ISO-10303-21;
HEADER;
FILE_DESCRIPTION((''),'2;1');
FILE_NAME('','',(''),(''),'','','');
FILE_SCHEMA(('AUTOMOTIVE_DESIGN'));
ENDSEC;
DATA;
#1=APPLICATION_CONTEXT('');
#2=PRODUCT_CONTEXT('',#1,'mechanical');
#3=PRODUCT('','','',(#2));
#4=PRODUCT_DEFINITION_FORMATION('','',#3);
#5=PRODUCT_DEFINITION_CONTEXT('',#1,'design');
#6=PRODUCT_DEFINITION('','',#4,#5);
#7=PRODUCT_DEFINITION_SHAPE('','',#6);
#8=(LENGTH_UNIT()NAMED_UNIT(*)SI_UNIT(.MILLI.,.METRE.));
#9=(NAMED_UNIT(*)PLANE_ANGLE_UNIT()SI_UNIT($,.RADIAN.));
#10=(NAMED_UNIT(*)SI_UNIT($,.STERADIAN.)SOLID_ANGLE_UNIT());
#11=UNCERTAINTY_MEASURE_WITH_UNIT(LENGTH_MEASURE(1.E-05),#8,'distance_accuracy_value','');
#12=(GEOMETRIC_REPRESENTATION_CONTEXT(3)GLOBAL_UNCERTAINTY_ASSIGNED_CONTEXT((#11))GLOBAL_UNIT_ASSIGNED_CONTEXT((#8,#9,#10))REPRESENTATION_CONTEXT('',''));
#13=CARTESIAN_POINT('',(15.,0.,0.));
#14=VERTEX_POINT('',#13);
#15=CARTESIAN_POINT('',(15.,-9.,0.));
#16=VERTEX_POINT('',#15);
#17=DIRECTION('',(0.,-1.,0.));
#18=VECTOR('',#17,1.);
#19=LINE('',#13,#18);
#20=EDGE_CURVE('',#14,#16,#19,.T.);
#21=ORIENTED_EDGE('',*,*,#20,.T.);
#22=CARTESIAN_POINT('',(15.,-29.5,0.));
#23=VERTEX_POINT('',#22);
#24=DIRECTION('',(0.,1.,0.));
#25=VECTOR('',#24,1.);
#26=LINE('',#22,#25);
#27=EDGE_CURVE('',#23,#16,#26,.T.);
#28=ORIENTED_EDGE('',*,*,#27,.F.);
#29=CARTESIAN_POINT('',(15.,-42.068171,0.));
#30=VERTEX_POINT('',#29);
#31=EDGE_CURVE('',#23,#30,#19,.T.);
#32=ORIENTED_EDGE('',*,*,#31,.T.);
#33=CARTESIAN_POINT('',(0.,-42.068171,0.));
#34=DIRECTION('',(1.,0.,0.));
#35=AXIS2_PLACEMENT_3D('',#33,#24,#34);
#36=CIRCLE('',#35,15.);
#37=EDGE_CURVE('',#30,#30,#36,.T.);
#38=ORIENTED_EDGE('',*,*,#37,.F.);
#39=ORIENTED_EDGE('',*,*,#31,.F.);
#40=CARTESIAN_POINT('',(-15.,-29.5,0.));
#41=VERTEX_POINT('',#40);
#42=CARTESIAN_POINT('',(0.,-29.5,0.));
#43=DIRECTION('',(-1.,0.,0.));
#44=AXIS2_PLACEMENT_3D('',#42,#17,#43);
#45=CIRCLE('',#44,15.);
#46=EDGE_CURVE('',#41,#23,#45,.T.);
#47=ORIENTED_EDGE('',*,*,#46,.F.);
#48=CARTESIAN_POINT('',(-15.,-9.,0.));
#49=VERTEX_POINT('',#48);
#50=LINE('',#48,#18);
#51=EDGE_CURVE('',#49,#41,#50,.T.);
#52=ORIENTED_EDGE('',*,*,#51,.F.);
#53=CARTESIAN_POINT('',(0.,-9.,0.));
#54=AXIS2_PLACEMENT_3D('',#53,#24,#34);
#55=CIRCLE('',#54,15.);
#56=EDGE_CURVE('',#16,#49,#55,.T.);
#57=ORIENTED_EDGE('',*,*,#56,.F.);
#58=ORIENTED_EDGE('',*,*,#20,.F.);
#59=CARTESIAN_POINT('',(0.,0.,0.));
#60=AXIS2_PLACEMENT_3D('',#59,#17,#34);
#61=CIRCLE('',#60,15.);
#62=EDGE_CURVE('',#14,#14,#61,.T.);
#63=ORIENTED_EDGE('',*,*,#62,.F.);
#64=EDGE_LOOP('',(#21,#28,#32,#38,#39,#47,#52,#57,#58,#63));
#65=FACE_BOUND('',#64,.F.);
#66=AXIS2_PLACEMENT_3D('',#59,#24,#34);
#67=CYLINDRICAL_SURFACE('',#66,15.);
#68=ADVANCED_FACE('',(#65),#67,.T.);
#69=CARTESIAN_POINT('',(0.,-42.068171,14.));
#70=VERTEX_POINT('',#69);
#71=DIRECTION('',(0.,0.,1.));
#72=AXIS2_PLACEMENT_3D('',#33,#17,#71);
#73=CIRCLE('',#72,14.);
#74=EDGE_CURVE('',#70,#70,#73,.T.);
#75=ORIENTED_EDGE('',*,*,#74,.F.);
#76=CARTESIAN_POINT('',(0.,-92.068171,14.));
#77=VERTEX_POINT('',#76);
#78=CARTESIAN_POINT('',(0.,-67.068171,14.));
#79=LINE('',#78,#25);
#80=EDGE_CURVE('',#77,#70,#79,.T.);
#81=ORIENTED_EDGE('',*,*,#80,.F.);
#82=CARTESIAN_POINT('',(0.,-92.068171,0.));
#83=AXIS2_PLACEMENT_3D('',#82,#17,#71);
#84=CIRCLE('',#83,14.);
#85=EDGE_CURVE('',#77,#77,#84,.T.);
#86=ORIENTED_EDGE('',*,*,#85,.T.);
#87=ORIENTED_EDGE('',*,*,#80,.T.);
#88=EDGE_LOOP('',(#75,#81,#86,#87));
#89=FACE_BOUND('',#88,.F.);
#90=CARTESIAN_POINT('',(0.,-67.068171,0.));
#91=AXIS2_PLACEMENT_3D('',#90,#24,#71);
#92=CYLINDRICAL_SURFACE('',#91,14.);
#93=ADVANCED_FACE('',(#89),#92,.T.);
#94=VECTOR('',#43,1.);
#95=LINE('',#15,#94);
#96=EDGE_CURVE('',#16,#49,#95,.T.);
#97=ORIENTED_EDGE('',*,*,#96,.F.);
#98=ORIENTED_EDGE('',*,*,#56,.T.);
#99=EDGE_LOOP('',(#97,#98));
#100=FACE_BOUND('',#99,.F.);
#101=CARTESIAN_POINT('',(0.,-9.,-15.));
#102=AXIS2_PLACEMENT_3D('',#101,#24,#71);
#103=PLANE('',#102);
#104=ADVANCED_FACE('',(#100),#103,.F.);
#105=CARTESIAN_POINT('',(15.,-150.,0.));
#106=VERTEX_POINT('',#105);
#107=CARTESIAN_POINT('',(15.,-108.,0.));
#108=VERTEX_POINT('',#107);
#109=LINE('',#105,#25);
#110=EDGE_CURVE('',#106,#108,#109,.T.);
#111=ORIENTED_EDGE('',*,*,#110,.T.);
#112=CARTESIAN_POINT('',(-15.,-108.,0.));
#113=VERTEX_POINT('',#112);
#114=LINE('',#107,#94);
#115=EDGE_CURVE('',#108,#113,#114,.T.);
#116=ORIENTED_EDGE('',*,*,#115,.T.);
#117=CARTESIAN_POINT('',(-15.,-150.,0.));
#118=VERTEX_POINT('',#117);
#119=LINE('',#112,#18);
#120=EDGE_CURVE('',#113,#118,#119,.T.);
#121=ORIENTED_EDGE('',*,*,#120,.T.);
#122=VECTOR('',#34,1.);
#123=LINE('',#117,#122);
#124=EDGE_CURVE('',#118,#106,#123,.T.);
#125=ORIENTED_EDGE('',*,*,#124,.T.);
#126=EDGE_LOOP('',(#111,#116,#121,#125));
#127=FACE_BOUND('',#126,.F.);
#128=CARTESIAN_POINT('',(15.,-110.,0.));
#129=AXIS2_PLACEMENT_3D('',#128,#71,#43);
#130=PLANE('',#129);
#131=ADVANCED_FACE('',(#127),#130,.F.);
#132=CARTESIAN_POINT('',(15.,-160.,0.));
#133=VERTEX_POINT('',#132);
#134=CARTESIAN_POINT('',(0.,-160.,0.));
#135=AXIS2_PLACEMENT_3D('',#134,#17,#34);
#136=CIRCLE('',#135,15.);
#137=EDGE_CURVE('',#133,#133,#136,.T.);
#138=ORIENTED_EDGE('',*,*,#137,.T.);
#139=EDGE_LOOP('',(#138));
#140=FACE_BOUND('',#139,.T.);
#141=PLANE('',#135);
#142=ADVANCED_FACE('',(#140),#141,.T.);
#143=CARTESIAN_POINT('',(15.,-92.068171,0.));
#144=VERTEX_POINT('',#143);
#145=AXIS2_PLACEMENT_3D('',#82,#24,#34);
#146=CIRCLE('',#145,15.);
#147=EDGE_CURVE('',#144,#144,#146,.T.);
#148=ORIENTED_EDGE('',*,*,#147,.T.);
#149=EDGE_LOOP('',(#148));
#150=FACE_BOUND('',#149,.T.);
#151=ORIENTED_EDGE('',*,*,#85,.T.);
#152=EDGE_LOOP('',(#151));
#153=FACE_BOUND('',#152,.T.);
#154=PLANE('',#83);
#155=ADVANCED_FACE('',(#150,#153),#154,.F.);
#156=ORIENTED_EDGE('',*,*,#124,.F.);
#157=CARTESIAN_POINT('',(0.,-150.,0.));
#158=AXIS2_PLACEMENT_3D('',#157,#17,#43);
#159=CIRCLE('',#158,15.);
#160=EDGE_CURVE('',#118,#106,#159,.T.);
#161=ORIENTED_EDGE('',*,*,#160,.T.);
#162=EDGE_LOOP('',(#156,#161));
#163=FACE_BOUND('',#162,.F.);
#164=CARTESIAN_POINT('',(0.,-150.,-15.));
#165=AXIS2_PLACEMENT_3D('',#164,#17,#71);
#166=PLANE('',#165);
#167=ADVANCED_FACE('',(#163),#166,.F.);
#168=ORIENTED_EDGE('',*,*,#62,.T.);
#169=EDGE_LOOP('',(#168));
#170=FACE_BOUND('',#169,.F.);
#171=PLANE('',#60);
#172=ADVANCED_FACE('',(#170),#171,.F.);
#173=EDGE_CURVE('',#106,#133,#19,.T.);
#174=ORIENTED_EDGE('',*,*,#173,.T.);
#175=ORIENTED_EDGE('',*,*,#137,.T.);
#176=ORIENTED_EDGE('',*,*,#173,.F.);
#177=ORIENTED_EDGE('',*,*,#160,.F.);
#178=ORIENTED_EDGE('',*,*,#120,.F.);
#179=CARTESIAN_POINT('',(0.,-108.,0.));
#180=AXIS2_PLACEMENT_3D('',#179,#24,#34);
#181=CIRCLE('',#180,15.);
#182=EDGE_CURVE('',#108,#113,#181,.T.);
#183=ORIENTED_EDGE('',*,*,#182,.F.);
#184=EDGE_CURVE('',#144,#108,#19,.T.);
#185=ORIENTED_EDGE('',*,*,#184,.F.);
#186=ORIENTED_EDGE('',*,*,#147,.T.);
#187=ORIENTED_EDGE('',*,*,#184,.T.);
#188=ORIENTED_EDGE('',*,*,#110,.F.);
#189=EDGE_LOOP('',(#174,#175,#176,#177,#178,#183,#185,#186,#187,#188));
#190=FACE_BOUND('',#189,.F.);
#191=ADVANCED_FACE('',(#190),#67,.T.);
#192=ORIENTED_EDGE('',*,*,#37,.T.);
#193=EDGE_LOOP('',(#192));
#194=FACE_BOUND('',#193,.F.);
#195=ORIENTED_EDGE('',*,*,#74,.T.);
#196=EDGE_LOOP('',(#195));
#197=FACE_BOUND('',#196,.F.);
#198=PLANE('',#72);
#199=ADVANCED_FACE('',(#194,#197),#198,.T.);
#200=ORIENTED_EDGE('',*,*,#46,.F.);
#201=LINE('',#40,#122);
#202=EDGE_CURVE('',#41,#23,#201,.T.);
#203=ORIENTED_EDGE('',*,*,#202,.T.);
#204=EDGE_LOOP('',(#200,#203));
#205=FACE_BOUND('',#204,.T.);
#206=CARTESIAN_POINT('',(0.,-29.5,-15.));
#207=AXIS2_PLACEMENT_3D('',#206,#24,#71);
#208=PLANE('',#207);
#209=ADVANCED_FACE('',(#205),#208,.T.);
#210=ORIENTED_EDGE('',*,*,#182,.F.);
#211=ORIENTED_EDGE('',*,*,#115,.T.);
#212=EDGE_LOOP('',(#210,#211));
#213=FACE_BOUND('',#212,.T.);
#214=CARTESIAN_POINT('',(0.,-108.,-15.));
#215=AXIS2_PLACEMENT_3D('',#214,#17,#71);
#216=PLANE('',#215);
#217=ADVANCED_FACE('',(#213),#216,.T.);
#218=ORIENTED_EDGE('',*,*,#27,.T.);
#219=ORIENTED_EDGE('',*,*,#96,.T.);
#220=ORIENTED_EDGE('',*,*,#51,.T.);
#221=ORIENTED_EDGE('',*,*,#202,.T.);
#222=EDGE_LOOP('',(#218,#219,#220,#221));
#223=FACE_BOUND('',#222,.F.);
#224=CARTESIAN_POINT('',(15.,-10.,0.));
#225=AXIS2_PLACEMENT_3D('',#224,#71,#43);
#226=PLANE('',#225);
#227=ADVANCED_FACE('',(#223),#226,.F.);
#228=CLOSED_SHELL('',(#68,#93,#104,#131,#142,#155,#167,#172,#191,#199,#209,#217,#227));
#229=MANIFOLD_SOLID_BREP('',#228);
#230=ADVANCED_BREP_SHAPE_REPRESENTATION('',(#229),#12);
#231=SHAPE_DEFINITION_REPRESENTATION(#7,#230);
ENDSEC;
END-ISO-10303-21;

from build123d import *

# Parameters (mm, degrees)
F0_R     = 15
F1_DEPTH = 160
F2_W     = 40
F2_H     = 15
F2_W_2   = 18.5
F3_DEPTH = 15
F4_DEPTH = 12.5
F5_DEPTH = 2
F6_DEPTH = 1
F7_DEPTH = 1
F8_W     = 50
F8_H     = 1


with BuildPart() as f1:
    # F0 (on Front) → F1 (new body)
    with BuildSketch(Plane.XZ):
        Circle(F0_R)
    extrude(amount=F1_DEPTH)

    # F2 (on Right) → F3 (cut, symmetric)
    with BuildSketch(Plane.YZ):
        with Locations((-130, -7.5)):
            Rectangle(F2_W, F2_H)
        with Locations((-19.25, -7.5)):
            Rectangle(F2_W_2, F2_H)
    extrude(amount=F3_DEPTH, both=True, mode=Mode.SUBTRACT)

    # F2 (on Right) → F4 (cut, symmetric)
    with BuildSketch(Plane.YZ):
        with Locations((-19.25, -7.5)):
            Rectangle(F2_W_2, F2_H)
        with Locations((-130, -7.5)):
            Rectangle(F2_W, F2_H)
    extrude(amount=F4_DEPTH, both=True, mode=Mode.SUBTRACT)

    # F5 (cut): a face of the model
    f5_faces = [f1.faces().sort_by_distance(p)[0] for p in [
        (0, -110, -6.3661977237),
    ]]
    extrude(f5_faces, amount=-F5_DEPTH, mode=Mode.SUBTRACT)

    # F6 (cut): a face of the model
    f6_faces = [f1.faces().sort_by_distance(p)[0] for p in [
        (0, -28.5, -6.3661977237),
    ]]
    extrude(f6_faces, amount=-F6_DEPTH, mode=Mode.SUBTRACT)

    # F7 (cut): a face of the model
    f7_faces = [f1.faces().sort_by_distance(p)[0] for p in [
        (0, -10, -6.3661977237),
    ]]
    extrude(f7_faces, amount=-F7_DEPTH, mode=Mode.SUBTRACT)

    # F8 (on Right) → F9 (revolve, cut)
    with BuildSketch(Plane.YZ):
        with Locations((-67.068171382, 14.5)):
            Rectangle(F8_W, F8_H)
    revolve(axis=Axis((0, -80.4968252778, 0), (0, -1, 0)), mode=Mode.SUBTRACT)


solid = f1.part
